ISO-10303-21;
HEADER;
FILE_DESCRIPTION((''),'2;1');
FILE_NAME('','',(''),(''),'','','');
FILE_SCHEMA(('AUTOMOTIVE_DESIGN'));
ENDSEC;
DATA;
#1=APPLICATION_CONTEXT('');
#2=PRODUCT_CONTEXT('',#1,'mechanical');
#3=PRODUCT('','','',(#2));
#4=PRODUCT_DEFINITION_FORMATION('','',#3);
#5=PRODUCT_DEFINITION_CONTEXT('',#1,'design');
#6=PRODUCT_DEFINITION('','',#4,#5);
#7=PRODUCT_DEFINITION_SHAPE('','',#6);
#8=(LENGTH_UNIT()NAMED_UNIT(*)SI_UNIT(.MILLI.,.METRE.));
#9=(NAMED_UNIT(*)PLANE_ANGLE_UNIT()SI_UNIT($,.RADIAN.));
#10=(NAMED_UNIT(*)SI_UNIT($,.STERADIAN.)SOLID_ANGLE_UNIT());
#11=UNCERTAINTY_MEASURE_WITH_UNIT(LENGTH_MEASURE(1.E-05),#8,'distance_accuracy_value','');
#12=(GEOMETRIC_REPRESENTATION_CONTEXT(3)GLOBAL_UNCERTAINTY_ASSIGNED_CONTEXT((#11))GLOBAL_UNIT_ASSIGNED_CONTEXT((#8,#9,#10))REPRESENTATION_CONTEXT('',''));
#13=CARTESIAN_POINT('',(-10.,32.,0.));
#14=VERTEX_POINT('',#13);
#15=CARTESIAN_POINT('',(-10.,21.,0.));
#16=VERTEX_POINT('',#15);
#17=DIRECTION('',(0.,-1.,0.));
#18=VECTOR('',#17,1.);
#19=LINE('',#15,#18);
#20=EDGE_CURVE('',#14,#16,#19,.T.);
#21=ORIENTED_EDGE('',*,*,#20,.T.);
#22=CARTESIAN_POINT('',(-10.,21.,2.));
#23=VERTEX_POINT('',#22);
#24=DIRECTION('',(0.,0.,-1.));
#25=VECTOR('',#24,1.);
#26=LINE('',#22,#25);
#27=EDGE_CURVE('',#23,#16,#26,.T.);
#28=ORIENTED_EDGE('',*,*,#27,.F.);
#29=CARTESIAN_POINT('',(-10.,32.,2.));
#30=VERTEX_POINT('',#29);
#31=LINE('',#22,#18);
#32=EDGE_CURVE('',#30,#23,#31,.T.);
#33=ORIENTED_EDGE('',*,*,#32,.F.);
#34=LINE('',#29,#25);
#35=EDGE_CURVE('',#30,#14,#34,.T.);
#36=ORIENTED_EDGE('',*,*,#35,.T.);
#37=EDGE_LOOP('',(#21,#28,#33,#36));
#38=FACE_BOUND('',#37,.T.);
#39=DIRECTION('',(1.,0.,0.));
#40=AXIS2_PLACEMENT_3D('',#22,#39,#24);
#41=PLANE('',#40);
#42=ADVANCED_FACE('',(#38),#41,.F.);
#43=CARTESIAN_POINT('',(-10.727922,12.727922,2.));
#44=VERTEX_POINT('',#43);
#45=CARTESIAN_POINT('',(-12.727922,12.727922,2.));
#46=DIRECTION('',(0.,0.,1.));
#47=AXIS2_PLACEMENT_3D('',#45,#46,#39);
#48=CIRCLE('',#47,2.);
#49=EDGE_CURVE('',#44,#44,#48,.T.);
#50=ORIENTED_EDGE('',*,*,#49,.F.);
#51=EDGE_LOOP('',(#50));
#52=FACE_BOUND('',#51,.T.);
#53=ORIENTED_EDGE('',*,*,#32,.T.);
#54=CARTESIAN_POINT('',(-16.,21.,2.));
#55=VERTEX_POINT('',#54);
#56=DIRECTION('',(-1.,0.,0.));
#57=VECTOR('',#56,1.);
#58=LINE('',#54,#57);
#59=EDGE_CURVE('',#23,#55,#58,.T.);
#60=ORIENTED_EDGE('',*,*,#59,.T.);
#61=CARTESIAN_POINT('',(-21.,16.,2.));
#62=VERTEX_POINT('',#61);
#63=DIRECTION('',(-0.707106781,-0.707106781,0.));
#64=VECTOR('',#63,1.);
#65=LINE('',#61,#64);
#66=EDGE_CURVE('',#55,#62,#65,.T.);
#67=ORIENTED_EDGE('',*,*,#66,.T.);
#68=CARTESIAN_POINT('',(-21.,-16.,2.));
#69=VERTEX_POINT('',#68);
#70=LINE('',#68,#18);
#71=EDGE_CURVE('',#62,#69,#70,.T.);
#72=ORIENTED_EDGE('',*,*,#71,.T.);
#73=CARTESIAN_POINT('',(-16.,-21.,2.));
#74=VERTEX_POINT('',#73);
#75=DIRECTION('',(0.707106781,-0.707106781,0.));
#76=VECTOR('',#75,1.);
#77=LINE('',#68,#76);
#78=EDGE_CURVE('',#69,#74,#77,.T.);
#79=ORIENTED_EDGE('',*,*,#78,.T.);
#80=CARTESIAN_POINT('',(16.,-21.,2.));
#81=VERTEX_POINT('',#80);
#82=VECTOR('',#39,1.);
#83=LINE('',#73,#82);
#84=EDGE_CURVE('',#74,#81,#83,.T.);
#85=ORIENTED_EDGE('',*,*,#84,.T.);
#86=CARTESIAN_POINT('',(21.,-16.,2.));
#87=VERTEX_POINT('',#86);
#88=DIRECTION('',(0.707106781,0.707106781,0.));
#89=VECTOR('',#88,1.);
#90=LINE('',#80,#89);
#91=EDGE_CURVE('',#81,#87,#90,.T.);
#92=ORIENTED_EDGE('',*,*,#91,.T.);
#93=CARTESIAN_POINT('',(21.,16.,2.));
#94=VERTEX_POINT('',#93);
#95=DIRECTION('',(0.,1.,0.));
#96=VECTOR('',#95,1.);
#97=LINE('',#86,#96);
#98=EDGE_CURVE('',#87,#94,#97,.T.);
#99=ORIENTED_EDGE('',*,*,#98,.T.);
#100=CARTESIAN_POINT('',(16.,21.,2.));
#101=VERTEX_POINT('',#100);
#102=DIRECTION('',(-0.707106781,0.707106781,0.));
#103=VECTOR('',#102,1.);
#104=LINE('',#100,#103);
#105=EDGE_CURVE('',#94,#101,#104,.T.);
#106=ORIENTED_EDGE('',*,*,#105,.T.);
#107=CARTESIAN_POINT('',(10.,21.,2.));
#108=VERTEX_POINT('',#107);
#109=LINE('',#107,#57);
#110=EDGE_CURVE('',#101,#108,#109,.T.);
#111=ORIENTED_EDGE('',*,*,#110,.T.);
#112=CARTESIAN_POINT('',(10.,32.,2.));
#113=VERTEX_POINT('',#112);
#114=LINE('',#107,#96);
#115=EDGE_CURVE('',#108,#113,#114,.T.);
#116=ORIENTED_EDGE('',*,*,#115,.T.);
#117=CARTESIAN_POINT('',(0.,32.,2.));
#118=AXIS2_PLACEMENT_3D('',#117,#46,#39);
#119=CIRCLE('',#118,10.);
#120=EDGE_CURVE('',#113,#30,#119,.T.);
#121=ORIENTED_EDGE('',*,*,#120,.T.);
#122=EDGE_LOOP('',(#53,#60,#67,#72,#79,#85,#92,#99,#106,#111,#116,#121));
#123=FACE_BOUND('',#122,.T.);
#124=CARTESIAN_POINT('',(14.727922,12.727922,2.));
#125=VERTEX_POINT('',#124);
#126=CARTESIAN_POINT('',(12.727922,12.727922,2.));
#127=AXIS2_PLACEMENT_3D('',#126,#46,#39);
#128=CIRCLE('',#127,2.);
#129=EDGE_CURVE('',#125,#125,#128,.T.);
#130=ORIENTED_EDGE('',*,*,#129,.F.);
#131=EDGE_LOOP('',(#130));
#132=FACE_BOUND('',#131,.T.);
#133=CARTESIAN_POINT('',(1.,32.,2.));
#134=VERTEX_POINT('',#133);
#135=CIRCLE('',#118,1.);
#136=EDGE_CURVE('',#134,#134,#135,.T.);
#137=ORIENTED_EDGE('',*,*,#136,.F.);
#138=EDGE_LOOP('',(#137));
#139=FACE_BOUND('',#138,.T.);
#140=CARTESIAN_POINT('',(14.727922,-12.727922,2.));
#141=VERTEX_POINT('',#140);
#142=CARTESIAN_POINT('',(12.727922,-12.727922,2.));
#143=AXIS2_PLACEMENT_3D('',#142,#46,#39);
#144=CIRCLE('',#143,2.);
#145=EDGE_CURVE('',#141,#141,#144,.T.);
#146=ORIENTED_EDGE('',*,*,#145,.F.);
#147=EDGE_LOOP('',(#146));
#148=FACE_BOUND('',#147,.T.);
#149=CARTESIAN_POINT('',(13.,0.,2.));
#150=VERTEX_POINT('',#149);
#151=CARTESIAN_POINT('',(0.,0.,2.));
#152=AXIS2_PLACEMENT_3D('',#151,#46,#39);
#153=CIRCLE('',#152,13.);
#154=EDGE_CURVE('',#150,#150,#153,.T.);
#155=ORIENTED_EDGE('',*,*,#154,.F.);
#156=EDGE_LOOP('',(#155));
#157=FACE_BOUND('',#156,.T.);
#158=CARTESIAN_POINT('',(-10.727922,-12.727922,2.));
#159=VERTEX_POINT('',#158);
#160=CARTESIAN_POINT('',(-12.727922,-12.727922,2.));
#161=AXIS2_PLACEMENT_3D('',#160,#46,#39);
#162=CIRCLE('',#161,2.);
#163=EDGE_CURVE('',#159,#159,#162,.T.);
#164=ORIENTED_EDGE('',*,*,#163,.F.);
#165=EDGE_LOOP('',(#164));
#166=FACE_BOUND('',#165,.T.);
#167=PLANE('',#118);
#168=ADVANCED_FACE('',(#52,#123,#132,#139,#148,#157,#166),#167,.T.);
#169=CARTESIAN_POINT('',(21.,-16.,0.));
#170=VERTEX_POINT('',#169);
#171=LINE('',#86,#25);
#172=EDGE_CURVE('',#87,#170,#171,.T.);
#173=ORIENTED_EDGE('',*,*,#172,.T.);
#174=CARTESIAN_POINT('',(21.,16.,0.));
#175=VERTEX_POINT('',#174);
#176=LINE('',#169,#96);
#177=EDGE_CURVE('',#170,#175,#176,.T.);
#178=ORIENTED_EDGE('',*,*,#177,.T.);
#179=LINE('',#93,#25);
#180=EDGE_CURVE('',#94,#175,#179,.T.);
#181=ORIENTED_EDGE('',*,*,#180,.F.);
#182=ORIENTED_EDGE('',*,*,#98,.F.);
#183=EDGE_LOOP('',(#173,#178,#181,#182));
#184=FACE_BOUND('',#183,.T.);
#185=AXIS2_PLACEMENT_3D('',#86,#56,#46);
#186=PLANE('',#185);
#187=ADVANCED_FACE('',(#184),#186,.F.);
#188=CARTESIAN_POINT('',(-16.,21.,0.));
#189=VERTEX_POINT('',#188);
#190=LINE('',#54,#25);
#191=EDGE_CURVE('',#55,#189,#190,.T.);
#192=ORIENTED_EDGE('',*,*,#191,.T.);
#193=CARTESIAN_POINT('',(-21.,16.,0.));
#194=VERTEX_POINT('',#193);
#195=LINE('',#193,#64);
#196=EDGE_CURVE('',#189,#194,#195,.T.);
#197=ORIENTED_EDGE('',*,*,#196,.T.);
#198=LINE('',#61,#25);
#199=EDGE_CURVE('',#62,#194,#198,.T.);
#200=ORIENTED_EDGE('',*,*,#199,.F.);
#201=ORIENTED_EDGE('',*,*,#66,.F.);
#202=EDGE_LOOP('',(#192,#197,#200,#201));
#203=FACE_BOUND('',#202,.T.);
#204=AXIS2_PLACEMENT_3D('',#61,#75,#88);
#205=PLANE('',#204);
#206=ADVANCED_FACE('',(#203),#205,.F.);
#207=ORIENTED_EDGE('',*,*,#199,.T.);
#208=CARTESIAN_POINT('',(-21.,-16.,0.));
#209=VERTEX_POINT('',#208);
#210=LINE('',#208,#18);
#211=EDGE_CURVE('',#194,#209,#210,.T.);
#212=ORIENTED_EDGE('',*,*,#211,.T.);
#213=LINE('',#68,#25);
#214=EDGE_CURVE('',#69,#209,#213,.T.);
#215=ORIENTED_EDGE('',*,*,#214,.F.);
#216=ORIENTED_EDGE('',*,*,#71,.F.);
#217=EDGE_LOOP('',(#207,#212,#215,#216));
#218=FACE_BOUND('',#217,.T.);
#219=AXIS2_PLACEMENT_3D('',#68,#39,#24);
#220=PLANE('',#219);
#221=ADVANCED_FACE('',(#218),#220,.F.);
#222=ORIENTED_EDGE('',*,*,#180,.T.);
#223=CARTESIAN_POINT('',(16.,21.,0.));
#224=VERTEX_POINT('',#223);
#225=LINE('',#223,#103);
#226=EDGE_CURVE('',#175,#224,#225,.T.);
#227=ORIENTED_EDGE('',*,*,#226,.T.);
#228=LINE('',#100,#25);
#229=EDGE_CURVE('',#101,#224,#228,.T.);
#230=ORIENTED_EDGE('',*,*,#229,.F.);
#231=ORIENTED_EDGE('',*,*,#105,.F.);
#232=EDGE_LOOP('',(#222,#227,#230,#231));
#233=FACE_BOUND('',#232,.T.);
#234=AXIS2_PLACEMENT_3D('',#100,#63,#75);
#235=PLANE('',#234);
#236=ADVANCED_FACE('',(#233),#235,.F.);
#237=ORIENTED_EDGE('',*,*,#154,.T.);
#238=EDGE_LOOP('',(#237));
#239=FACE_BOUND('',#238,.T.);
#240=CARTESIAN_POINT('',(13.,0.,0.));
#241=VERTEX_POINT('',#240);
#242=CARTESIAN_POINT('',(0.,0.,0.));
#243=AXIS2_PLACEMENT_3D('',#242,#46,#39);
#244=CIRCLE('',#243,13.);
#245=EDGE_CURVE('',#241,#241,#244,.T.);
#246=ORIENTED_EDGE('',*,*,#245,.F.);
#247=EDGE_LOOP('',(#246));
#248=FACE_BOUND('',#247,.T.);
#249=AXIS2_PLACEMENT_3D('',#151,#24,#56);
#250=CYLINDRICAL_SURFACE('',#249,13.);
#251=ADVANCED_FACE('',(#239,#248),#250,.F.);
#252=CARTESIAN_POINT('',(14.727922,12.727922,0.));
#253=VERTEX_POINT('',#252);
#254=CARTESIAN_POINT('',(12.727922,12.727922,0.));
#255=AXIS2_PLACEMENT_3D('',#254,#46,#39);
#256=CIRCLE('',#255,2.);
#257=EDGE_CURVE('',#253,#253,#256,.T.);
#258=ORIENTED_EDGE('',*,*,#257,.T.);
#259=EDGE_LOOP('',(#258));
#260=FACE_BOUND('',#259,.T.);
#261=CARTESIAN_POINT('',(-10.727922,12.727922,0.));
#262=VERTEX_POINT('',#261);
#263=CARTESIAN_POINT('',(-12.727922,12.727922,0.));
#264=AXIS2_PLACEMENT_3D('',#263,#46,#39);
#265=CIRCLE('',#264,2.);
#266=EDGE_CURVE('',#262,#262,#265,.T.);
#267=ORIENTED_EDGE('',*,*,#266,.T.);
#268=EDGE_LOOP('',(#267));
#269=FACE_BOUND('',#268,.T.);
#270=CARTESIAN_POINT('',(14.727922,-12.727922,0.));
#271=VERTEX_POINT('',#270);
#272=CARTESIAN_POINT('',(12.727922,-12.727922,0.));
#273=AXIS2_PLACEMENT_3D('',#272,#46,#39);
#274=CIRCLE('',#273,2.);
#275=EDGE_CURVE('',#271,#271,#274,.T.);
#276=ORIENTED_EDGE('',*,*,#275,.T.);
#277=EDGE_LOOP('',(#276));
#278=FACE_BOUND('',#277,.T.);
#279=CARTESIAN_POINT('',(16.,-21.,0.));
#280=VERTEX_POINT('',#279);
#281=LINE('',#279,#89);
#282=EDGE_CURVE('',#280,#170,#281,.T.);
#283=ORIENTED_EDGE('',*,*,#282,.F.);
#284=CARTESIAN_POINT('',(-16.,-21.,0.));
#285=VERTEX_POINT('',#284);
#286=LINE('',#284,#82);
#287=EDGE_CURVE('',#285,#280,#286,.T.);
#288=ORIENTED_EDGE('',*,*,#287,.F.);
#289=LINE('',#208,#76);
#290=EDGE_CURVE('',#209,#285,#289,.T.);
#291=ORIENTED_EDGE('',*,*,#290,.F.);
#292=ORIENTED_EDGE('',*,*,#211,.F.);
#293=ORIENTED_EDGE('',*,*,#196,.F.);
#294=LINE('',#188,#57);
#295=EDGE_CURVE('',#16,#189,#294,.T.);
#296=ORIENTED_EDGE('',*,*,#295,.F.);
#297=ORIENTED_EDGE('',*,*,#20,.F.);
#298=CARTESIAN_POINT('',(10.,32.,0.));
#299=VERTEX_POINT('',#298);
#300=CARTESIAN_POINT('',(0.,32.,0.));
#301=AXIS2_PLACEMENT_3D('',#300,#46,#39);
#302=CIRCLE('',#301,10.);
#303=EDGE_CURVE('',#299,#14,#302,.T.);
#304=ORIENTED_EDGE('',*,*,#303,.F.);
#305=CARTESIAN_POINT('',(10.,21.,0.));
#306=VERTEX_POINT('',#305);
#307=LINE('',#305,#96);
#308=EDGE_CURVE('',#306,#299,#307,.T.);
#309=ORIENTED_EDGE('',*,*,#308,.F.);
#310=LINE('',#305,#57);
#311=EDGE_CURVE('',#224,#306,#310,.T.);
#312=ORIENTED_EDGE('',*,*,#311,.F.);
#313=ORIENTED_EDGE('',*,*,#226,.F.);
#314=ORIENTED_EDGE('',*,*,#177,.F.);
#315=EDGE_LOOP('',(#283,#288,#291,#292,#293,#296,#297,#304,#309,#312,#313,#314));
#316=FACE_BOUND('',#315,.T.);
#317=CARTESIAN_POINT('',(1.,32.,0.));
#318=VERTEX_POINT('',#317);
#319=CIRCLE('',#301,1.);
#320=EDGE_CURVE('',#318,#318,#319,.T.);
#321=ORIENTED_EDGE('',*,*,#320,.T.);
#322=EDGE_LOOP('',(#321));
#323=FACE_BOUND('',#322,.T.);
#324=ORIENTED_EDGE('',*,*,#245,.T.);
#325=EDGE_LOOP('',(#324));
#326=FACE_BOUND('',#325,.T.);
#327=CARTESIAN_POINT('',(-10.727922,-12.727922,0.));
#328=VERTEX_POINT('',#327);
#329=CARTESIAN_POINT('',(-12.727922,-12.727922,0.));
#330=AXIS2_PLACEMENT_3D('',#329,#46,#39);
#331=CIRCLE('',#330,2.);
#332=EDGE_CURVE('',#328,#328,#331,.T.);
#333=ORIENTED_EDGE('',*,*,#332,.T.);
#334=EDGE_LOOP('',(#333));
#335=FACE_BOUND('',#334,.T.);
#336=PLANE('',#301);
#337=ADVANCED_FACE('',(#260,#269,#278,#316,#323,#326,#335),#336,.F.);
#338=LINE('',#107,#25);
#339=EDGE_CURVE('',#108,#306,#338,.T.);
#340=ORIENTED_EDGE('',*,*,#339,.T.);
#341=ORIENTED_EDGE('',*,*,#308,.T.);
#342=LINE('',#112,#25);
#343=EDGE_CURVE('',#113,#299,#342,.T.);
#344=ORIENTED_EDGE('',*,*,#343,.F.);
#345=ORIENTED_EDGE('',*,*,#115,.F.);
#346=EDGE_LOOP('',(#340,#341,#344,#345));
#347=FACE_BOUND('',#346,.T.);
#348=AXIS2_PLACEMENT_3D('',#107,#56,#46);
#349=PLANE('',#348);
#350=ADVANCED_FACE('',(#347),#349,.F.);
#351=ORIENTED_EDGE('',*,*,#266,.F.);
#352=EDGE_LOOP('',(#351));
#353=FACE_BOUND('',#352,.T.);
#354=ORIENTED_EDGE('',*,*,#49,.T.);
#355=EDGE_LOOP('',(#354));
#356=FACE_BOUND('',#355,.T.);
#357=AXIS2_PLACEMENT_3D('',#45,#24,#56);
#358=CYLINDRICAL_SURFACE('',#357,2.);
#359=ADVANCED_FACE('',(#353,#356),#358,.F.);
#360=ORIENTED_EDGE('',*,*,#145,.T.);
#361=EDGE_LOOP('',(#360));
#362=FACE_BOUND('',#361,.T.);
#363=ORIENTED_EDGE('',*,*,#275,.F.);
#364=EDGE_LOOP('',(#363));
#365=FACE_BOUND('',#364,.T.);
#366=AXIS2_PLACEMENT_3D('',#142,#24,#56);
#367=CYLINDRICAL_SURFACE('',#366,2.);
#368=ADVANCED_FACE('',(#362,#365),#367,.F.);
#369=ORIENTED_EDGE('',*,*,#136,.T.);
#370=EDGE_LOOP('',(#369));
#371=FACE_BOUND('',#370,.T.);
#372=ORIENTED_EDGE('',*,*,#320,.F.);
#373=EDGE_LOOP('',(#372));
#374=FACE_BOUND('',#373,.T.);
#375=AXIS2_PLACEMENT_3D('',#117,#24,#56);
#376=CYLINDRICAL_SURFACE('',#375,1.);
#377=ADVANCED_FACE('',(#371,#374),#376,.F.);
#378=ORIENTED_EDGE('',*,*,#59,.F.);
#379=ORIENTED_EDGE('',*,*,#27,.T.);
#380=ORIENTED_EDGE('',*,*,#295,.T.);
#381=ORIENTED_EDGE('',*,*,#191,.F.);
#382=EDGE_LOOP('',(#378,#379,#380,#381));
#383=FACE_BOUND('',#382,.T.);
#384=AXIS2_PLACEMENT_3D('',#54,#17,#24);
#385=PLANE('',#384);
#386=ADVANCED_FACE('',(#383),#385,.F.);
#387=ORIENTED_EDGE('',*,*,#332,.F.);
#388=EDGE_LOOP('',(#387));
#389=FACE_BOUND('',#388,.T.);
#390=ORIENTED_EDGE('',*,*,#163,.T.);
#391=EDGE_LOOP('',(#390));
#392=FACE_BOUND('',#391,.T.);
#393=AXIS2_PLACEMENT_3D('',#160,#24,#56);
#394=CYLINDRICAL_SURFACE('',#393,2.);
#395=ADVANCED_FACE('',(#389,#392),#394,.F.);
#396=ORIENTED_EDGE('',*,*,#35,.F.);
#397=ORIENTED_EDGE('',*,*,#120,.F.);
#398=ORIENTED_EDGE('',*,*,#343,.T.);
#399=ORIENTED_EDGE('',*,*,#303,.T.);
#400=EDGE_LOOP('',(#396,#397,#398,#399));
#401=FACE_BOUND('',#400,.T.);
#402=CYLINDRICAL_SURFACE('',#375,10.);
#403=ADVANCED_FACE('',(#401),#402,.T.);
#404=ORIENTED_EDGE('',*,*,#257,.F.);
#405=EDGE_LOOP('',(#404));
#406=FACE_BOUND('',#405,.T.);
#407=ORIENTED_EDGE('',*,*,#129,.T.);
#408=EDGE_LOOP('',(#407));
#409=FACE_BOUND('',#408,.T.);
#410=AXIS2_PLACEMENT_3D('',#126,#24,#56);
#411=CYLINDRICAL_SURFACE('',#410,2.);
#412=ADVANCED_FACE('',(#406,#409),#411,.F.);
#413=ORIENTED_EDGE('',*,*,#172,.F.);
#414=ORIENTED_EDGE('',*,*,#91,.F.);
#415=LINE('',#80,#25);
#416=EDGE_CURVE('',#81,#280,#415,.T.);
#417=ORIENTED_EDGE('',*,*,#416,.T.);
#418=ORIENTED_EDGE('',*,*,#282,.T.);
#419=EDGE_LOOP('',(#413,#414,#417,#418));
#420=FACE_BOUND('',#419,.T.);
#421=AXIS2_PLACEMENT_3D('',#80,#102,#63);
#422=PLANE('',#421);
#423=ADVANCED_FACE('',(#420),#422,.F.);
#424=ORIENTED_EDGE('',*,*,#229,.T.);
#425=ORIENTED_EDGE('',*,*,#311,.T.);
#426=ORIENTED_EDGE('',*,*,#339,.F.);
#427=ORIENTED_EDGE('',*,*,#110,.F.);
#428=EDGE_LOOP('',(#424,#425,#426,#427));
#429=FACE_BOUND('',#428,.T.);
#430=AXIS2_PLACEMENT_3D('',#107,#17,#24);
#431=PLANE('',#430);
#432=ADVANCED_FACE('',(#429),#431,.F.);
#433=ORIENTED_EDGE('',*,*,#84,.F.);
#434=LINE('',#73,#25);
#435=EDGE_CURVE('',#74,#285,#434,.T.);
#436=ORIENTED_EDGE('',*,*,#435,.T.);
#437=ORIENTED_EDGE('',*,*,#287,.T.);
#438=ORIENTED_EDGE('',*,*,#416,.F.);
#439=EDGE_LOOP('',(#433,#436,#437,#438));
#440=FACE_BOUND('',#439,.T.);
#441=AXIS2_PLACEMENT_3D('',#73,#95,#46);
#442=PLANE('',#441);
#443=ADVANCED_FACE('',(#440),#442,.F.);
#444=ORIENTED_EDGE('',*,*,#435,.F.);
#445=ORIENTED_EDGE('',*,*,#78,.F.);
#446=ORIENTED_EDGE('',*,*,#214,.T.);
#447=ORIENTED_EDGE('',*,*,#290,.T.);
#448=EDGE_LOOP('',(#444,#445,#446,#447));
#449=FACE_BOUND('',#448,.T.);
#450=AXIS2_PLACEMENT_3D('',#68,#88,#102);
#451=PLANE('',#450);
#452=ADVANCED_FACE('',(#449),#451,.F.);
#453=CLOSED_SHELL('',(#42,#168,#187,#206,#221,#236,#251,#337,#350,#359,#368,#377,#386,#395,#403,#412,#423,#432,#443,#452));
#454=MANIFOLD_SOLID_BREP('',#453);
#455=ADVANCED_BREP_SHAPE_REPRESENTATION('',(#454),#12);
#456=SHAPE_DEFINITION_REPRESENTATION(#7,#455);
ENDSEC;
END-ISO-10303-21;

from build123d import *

# Parameters (mm, degrees)
CROQUIS1_R              = 2
CROQUIS1_R_2            = 13
CROQUIS1_R_3            = 1
SALIENTE_EXTRUIR1_DEPTH = 2


with BuildPart() as part:
    # Croquis1 → Saliente-Extruir1 (new body)
    with BuildSketch(Plane.XY):
        with BuildLine():
            Line((10, 21), (16, 21))
            Line((16, 21), (21, 16))
            Line((21, 16), (21, -16))
            Line((21, -16), (16, -21))
            Line((16, -21), (-16, -21))
            Line((-16, -21), (-21, -16))
            Line((-21, -16), (-21, 16))
            Line((-21, 16), (-16, 21))
            Line((-16, 21), (-10, 21))
            Line((-10, 21), (-10, 32))
            ThreePointArc((-10, 32), (0, 42), (10, 32))
            Line((10, 32), (10, 21))
        make_face()
        with Locations((12.727922061, 12.727922061)):
            Circle(CROQUIS1_R, mode=Mode.SUBTRACT)
        with Locations((12.727922061, -12.727922061)):
            Circle(CROQUIS1_R, mode=Mode.SUBTRACT)
        with Locations((-12.727922061, -12.727922061)):
            Circle(CROQUIS1_R, mode=Mode.SUBTRACT)
        with Locations((-12.727922061, 12.727922061)):
            Circle(CROQUIS1_R, mode=Mode.SUBTRACT)
        Circle(CROQUIS1_R_2, mode=Mode.SUBTRACT)
        with Locations((0, 32)):
            Circle(CROQUIS1_R_3, mode=Mode.SUBTRACT)
    extrude(amount=SALIENTE_EXTRUIR1_DEPTH)


solid = part.part
